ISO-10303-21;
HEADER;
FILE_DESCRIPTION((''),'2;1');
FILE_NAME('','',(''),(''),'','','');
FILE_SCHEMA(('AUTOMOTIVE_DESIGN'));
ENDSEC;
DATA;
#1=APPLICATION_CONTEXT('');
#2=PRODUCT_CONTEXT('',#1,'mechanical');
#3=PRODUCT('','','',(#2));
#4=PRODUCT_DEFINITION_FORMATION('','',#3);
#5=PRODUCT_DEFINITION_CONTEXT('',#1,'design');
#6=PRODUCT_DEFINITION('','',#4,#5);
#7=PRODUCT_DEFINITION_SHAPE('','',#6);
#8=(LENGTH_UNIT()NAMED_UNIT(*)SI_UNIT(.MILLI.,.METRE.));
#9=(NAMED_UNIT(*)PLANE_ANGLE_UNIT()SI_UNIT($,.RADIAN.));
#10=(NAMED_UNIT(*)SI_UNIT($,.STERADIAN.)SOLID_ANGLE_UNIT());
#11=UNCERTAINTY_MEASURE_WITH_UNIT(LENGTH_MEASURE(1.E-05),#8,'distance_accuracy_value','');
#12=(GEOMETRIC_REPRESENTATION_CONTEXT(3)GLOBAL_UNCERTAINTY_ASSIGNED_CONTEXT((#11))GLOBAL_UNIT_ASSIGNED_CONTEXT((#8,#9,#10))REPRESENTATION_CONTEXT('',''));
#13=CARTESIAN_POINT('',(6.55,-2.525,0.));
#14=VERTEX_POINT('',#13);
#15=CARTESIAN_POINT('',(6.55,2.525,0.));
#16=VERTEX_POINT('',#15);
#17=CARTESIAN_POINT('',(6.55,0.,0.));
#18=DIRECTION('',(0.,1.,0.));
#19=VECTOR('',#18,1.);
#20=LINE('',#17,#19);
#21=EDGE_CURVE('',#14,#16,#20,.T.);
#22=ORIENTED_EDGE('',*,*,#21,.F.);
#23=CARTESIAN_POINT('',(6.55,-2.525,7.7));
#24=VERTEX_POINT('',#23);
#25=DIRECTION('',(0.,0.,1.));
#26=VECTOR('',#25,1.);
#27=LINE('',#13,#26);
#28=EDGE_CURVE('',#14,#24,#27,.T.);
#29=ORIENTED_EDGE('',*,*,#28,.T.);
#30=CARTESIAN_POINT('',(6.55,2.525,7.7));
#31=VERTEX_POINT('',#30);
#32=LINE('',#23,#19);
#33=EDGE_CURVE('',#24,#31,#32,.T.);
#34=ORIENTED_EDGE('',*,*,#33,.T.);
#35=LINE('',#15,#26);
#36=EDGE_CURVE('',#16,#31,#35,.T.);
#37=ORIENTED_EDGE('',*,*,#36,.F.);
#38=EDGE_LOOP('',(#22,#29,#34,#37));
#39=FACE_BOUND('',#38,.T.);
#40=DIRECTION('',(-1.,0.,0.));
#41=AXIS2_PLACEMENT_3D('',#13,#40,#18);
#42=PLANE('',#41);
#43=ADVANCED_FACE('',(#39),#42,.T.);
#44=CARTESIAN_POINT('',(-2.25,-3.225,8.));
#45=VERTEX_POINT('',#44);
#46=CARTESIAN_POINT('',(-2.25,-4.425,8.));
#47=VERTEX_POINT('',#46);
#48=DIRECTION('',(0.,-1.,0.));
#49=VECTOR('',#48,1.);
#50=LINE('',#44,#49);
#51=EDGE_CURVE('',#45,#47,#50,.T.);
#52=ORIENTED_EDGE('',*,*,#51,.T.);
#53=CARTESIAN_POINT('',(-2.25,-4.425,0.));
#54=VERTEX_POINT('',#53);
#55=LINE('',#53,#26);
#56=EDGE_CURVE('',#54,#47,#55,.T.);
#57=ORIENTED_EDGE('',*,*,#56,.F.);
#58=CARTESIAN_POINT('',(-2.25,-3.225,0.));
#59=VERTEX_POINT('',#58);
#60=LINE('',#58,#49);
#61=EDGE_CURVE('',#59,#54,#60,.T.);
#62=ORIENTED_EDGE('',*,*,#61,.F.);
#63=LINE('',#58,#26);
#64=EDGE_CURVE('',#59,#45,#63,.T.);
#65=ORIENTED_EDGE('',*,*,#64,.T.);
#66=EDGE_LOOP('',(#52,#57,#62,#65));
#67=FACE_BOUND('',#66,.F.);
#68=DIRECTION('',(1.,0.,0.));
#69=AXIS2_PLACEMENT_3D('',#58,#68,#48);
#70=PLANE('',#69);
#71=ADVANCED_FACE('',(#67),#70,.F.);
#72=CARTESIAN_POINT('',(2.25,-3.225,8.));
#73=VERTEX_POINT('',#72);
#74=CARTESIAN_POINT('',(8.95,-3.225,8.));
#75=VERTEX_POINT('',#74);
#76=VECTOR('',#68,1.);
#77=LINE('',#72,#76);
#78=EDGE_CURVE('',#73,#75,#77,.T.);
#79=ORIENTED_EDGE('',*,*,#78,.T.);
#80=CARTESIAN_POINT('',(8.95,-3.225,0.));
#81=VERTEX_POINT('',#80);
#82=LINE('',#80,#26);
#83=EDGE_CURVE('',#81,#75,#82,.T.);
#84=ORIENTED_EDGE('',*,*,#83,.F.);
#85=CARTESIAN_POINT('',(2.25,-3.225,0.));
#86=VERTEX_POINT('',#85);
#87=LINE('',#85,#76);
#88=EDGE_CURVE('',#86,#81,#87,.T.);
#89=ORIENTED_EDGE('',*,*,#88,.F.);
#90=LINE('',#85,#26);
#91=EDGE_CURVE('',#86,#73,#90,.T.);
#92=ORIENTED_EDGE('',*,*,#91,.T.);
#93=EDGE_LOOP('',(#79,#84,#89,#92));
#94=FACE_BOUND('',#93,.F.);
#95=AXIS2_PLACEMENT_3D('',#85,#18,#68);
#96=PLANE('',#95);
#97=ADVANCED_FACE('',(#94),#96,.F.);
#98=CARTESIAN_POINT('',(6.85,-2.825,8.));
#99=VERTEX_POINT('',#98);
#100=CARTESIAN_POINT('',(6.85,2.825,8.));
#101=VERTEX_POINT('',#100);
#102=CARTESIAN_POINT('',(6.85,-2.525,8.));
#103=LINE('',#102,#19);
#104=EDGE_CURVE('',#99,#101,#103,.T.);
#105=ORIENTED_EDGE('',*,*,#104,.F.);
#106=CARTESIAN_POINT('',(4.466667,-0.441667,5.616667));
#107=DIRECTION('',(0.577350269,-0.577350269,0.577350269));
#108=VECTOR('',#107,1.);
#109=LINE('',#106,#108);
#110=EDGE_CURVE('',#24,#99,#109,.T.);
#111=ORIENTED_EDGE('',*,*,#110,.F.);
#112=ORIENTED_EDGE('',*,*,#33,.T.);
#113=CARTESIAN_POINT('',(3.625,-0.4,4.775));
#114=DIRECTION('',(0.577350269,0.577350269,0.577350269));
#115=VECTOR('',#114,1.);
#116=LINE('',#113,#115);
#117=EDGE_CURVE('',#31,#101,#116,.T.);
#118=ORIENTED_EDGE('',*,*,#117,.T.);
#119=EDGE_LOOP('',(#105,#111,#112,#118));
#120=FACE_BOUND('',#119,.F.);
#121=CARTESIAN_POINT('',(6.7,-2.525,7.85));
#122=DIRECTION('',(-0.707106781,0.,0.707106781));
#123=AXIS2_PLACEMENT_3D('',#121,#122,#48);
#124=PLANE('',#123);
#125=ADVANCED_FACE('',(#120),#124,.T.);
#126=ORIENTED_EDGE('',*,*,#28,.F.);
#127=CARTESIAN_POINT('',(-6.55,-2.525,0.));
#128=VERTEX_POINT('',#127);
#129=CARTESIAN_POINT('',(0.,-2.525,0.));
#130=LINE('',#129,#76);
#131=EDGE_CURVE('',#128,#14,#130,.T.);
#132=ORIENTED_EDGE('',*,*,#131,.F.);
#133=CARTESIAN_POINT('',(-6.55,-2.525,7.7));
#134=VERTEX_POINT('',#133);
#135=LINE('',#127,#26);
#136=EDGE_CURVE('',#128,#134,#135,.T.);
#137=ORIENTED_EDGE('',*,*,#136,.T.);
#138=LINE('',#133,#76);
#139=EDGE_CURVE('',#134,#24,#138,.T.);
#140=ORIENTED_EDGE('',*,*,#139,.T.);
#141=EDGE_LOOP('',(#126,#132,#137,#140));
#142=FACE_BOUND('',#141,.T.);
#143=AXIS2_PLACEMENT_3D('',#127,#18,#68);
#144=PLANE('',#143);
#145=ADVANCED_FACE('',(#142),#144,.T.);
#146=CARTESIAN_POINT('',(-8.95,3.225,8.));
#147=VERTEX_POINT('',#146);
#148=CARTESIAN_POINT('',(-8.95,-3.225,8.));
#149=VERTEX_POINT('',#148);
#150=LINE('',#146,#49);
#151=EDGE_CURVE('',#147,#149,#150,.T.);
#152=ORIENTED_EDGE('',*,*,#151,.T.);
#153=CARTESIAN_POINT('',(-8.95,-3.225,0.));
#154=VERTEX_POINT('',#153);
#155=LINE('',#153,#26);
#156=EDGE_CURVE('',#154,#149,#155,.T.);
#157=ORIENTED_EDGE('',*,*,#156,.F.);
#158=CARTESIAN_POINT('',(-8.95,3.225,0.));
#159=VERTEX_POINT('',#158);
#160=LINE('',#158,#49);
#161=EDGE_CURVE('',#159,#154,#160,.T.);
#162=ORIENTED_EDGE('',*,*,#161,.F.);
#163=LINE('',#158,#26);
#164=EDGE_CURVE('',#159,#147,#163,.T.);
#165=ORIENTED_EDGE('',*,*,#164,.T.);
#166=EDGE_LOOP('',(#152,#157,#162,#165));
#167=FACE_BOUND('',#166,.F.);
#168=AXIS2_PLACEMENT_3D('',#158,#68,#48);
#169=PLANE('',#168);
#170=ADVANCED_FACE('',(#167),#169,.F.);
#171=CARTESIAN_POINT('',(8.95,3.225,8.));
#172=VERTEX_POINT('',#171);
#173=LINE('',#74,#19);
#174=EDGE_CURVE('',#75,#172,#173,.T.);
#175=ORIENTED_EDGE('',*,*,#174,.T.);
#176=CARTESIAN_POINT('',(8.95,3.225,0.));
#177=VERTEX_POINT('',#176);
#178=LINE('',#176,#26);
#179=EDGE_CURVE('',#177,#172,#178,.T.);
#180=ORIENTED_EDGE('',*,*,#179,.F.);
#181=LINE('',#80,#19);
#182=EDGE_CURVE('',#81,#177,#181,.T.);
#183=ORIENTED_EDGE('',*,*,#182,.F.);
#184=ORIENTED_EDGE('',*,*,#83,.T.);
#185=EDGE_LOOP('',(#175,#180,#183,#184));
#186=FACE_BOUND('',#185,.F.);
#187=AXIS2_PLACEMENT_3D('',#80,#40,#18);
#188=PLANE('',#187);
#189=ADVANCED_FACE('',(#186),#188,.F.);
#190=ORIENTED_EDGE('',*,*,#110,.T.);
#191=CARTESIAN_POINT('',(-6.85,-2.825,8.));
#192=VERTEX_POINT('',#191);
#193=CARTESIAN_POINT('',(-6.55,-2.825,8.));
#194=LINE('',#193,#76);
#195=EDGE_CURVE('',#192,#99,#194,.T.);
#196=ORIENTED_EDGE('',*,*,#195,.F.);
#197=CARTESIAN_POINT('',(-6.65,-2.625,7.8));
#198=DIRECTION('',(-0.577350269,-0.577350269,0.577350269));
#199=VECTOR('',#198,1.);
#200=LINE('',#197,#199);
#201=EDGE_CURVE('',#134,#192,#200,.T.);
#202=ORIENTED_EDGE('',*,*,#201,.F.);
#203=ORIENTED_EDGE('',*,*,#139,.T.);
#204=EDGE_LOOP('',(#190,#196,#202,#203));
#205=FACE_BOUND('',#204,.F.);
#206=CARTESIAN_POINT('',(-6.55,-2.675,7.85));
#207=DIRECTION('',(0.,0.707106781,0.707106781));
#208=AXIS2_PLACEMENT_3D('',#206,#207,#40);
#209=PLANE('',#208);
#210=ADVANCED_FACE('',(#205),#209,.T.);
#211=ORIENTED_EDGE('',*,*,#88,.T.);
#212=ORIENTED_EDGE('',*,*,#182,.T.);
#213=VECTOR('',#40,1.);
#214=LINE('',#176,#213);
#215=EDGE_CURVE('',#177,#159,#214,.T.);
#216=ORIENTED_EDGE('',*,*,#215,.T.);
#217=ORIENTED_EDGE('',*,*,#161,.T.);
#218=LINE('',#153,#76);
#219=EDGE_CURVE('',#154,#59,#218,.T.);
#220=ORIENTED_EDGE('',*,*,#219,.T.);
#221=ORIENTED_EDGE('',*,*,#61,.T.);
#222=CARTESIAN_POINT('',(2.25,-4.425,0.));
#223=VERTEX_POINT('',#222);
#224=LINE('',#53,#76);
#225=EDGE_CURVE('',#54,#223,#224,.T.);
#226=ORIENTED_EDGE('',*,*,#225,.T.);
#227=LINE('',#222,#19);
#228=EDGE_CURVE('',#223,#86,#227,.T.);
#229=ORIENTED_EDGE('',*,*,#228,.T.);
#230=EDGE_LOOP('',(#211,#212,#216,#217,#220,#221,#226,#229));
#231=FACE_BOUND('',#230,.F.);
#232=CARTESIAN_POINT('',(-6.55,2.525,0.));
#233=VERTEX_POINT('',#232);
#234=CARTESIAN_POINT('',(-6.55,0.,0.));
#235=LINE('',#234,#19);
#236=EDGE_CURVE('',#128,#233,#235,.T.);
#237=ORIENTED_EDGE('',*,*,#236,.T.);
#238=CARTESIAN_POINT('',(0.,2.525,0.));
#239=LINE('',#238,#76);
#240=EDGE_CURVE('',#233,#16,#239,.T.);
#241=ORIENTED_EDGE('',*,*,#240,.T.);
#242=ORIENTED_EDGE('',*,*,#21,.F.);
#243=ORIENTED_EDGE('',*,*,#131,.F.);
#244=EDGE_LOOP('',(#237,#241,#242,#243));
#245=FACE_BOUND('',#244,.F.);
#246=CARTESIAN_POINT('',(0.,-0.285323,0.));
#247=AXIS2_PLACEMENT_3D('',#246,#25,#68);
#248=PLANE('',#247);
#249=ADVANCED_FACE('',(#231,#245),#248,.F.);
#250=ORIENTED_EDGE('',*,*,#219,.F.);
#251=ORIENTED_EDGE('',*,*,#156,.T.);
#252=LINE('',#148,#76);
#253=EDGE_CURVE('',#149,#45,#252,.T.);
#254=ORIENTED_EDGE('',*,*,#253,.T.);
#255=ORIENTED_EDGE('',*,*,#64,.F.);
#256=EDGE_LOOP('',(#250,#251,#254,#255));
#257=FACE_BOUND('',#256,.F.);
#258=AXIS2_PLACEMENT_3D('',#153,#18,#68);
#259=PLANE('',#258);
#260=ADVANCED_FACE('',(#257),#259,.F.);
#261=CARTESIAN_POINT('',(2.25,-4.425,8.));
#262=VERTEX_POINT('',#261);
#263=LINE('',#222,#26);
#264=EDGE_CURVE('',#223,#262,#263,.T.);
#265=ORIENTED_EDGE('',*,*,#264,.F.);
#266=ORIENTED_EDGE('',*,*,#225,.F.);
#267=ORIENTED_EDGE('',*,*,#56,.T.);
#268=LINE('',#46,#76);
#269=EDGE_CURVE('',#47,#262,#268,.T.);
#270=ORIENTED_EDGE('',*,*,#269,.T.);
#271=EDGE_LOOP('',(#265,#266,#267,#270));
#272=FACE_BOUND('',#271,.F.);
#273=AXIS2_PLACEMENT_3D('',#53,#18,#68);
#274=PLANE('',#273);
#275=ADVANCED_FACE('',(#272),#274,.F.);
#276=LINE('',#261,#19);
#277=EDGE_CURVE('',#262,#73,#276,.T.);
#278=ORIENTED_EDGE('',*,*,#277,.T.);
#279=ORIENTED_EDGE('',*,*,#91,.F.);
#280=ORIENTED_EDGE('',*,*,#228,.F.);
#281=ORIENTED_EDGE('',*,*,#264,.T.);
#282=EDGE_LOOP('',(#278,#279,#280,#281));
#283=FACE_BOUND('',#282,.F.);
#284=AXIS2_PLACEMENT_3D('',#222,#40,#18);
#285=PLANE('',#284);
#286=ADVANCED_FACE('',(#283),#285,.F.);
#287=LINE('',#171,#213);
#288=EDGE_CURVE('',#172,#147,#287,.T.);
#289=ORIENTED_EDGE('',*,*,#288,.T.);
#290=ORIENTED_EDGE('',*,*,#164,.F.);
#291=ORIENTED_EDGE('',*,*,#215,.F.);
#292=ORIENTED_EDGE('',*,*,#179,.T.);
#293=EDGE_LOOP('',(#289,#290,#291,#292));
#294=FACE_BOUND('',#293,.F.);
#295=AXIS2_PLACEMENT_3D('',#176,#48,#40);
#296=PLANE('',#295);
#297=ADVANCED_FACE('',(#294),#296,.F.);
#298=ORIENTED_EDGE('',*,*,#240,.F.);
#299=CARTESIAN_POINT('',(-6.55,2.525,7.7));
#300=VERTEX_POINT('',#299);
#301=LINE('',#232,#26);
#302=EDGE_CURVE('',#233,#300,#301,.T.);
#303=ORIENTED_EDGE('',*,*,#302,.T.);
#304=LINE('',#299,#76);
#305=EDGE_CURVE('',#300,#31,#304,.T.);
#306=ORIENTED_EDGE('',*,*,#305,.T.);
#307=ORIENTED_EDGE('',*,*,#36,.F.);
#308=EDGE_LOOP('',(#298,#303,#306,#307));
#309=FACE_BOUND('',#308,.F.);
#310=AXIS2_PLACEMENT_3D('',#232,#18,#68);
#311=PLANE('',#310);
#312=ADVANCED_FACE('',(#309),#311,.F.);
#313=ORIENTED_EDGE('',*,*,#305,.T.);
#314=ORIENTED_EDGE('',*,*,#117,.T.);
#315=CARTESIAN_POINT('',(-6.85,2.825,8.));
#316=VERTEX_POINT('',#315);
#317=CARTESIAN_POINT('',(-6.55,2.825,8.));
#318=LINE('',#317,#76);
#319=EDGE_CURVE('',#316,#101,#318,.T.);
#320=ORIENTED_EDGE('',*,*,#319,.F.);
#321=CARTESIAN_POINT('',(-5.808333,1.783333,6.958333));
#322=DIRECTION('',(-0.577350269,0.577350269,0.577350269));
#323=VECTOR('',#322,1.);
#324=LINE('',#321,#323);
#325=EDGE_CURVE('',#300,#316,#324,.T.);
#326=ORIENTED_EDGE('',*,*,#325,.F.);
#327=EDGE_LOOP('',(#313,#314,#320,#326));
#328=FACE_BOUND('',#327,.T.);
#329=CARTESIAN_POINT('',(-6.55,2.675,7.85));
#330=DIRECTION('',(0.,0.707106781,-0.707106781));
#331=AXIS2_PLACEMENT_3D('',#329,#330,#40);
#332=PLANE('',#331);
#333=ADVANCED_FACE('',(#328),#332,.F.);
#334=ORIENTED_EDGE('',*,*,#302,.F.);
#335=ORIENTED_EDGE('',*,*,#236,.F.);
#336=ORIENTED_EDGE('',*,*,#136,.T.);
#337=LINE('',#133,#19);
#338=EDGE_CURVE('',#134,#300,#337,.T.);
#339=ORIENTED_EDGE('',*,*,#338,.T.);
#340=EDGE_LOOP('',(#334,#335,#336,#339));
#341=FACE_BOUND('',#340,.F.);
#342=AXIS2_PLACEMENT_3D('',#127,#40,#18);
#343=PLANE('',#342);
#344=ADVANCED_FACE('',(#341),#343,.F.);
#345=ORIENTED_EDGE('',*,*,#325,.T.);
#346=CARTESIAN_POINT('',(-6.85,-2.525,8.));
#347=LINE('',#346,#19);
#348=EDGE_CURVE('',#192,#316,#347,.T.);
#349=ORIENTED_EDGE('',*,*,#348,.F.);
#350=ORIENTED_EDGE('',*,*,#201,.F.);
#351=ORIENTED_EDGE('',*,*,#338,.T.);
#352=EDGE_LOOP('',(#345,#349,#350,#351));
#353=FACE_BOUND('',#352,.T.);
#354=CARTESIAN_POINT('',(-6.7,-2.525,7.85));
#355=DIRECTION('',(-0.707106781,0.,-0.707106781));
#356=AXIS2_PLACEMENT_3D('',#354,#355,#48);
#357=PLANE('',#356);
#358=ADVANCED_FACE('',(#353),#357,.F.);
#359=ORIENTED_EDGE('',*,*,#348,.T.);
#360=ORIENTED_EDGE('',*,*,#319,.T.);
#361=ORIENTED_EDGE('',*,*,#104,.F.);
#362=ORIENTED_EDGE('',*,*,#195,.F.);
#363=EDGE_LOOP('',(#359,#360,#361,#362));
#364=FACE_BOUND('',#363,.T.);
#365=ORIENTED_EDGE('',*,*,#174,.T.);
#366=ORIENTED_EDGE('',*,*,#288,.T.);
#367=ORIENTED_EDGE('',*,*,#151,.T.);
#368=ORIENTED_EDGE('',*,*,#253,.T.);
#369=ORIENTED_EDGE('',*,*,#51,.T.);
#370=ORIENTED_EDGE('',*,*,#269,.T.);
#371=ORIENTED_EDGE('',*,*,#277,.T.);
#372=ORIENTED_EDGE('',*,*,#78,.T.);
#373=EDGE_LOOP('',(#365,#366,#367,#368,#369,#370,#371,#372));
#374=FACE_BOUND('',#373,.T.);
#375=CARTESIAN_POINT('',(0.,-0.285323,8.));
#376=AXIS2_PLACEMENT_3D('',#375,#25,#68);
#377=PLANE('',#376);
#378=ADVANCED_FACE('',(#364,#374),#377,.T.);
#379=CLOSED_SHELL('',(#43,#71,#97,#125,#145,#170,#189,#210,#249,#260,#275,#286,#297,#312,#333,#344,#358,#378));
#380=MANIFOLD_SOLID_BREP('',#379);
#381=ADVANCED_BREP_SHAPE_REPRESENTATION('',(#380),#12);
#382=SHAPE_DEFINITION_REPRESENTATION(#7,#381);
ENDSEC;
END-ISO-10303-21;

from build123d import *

# Parameters (mm, degrees)
SKETCH_W     = 13.1
SKETCH_H     = 5.05
PAD_DEPTH    = 8
CHAMFER_SIZE = 0.3


with BuildPart() as part:
    # Sketch → Pad (new body)
    with BuildSketch(Plane.XY):
        Polygon((-8.95, 3.225), (-8.95, -3.225), (-2.25, -3.225), (-2.25, -4.425), (2.25, -4.425), (2.25, -3.225), (8.95, -3.225), (8.95, 3.225), align=None)
        Rectangle(SKETCH_W, SKETCH_H, mode=Mode.SUBTRACT)
    extrude(amount=PAD_DEPTH)

    # Chamfer
    chamfer_edges = [part.edges().sort_by_distance(p)[0] for p in [
        (6.55, 0, 8),
        (0, 2.525, 8),
        (-6.55, 0, 8),
        (0, -2.525, 8),
    ]]
    chamfer(chamfer_edges, length=CHAMFER_SIZE)


solid = part.part
